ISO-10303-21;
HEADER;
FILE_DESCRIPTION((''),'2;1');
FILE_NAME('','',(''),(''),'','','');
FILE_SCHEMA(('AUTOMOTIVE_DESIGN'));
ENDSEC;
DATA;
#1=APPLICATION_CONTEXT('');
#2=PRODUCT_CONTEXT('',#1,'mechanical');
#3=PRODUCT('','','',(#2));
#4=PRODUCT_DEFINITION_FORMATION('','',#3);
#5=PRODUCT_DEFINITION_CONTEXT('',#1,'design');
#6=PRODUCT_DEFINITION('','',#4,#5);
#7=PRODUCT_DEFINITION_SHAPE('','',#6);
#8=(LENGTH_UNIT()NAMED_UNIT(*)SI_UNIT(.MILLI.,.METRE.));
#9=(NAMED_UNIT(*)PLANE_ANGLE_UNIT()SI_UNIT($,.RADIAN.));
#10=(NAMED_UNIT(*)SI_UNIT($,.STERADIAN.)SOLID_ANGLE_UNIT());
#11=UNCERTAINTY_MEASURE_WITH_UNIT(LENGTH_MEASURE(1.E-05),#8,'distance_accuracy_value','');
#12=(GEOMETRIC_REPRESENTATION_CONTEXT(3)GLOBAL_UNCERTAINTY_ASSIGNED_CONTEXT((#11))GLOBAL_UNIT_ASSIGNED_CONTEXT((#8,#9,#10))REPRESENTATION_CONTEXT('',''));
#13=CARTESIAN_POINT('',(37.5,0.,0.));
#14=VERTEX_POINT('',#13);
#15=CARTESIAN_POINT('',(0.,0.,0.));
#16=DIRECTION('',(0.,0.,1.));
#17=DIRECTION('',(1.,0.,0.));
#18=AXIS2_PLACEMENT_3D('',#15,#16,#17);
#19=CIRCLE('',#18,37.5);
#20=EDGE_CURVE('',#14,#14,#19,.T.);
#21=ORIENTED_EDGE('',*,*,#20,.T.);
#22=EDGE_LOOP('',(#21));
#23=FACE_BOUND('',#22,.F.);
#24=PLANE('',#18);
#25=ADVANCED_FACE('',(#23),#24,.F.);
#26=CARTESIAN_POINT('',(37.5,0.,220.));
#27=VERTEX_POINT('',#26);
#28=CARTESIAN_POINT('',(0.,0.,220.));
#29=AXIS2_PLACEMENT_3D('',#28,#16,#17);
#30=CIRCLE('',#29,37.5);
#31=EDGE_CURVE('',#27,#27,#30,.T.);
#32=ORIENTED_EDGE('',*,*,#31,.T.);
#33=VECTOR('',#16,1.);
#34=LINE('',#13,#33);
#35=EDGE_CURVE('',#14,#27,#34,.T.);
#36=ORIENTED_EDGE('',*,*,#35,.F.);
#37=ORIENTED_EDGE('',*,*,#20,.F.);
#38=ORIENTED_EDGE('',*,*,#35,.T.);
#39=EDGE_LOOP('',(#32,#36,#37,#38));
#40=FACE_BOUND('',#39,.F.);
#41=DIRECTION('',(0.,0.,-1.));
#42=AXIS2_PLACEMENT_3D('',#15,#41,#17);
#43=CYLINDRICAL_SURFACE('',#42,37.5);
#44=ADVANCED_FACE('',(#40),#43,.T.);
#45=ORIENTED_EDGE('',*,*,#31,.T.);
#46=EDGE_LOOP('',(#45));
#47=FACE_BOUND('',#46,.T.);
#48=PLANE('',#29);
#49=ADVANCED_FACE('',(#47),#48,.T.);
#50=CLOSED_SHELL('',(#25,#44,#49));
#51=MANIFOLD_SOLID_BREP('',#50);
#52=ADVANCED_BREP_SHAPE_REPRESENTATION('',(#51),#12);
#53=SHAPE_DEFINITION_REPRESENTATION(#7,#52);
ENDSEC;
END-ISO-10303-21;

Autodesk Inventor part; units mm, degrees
ref_plane "YZ Plane" through (0, 0, 0) normal (1, 0, 0) x (0, 1, 0)
ref_plane "XZ Plane" through (0, 0, 0) normal (0, 1, 0) x (-1, 0, 0)
ref_plane "XY Plane" through (0, 0, 0) normal (0, 0, 1) x (1, 0, 0)
sketch "Sketch1" plane through (0, 0, 0) normal (0, 0, 1) x (1, 0, 0)
  circle A0 centre (0, 0) radius 37.5
  dimension "d0" = 75
extrude "Extrusion1" add sketch "Sketch1" along normal blind 220
properties part number "Motor" material "Motor Mat'l"
